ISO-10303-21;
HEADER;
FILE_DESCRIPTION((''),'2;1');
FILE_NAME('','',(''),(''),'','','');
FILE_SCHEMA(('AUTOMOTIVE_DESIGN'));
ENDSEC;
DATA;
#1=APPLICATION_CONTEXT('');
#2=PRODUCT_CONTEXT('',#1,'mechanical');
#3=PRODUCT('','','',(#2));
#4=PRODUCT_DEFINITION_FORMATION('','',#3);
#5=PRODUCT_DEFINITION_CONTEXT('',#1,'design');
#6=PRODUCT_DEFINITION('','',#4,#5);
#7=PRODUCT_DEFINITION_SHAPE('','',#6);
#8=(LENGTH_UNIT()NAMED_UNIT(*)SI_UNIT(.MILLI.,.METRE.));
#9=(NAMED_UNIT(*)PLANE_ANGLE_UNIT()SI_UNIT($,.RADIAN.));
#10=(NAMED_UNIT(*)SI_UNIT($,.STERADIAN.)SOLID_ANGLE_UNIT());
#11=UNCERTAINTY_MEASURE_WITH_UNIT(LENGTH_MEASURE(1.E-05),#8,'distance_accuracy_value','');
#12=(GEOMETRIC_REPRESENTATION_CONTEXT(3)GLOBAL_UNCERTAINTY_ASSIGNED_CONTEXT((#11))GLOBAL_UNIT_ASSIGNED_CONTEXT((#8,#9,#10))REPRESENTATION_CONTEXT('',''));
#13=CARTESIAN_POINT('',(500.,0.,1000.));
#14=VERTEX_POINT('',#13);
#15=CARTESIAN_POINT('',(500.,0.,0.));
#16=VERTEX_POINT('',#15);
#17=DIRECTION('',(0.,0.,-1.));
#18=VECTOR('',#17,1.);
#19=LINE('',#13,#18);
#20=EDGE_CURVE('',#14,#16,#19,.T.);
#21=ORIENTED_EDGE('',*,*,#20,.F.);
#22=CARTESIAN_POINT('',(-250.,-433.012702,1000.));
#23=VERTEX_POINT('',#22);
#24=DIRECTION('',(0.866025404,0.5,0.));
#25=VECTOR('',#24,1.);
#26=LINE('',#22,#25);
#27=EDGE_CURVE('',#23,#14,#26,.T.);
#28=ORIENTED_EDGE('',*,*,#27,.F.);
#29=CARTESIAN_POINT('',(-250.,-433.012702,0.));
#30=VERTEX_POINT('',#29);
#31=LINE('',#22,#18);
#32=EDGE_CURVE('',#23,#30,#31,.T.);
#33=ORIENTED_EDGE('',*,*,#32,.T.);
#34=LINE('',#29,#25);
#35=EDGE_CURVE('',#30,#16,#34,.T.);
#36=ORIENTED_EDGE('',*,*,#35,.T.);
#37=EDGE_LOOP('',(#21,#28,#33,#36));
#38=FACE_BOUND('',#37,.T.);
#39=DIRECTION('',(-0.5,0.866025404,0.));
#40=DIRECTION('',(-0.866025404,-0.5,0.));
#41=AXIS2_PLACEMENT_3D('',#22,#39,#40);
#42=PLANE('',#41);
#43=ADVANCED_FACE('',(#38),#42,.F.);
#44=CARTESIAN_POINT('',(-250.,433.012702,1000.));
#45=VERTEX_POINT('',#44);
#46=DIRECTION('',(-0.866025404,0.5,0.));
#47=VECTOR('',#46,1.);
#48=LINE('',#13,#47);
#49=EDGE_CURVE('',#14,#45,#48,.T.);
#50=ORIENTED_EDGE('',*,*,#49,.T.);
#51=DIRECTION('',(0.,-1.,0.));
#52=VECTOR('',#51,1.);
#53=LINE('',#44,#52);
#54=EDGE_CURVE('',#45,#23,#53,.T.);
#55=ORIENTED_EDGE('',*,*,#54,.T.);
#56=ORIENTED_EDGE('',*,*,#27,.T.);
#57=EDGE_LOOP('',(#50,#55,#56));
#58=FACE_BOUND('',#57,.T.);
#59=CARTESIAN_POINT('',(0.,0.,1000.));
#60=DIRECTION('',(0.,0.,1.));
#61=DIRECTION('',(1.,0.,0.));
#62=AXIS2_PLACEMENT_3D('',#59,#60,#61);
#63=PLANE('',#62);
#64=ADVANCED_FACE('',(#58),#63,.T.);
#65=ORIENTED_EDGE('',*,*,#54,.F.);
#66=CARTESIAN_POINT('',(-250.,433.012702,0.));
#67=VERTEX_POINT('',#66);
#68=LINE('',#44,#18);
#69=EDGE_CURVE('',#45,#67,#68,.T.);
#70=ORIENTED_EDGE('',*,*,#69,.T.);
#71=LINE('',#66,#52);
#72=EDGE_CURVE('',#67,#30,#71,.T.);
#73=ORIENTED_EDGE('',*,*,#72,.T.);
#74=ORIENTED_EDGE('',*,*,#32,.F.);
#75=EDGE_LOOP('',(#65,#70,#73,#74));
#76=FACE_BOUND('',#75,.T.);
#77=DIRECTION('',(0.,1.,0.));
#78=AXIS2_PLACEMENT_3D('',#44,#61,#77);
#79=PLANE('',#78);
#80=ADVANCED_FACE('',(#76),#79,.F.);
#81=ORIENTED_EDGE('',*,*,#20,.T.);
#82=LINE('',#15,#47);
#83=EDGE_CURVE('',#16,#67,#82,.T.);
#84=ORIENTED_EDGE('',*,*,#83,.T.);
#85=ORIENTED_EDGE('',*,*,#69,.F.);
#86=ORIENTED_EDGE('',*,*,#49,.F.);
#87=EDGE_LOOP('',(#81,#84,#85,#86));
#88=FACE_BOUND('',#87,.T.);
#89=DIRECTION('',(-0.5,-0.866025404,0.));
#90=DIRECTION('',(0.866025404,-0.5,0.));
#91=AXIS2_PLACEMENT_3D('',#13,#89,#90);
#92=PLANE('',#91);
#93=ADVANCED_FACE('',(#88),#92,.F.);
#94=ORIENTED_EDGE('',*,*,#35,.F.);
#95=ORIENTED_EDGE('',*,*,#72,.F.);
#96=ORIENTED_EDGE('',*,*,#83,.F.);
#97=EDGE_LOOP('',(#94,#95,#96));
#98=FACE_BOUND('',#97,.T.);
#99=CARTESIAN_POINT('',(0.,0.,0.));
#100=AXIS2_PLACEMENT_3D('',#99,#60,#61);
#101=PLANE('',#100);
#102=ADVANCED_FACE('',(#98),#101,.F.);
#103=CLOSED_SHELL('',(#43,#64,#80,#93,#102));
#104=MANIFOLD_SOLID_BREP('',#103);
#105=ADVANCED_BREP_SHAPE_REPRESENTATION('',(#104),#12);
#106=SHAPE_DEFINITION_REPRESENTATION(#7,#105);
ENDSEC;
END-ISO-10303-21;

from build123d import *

# Parameters (mm, degrees)
EXTRUDE_1_DEPTH = 1000
EXTRUDE_2_DEPTH = 1000


with BuildPart() as part:
    # 草图1 → 凸台-拉伸1 (new body)
    with BuildSketch(Plane.XY):
        Polygon((500, 0), (-250, 433.012701892), (-250, -433.012701892), align=None)
    extrude(amount=EXTRUDE_1_DEPTH)

    # 草图2 → 凸台-拉伸2 (add)
    with BuildSketch(Plane.XY):
        Polygon((500, 0), (-250, 433.012701892), (-250, -433.012701892), align=None)
    extrude(amount=EXTRUDE_2_DEPTH)


solid = part.part
